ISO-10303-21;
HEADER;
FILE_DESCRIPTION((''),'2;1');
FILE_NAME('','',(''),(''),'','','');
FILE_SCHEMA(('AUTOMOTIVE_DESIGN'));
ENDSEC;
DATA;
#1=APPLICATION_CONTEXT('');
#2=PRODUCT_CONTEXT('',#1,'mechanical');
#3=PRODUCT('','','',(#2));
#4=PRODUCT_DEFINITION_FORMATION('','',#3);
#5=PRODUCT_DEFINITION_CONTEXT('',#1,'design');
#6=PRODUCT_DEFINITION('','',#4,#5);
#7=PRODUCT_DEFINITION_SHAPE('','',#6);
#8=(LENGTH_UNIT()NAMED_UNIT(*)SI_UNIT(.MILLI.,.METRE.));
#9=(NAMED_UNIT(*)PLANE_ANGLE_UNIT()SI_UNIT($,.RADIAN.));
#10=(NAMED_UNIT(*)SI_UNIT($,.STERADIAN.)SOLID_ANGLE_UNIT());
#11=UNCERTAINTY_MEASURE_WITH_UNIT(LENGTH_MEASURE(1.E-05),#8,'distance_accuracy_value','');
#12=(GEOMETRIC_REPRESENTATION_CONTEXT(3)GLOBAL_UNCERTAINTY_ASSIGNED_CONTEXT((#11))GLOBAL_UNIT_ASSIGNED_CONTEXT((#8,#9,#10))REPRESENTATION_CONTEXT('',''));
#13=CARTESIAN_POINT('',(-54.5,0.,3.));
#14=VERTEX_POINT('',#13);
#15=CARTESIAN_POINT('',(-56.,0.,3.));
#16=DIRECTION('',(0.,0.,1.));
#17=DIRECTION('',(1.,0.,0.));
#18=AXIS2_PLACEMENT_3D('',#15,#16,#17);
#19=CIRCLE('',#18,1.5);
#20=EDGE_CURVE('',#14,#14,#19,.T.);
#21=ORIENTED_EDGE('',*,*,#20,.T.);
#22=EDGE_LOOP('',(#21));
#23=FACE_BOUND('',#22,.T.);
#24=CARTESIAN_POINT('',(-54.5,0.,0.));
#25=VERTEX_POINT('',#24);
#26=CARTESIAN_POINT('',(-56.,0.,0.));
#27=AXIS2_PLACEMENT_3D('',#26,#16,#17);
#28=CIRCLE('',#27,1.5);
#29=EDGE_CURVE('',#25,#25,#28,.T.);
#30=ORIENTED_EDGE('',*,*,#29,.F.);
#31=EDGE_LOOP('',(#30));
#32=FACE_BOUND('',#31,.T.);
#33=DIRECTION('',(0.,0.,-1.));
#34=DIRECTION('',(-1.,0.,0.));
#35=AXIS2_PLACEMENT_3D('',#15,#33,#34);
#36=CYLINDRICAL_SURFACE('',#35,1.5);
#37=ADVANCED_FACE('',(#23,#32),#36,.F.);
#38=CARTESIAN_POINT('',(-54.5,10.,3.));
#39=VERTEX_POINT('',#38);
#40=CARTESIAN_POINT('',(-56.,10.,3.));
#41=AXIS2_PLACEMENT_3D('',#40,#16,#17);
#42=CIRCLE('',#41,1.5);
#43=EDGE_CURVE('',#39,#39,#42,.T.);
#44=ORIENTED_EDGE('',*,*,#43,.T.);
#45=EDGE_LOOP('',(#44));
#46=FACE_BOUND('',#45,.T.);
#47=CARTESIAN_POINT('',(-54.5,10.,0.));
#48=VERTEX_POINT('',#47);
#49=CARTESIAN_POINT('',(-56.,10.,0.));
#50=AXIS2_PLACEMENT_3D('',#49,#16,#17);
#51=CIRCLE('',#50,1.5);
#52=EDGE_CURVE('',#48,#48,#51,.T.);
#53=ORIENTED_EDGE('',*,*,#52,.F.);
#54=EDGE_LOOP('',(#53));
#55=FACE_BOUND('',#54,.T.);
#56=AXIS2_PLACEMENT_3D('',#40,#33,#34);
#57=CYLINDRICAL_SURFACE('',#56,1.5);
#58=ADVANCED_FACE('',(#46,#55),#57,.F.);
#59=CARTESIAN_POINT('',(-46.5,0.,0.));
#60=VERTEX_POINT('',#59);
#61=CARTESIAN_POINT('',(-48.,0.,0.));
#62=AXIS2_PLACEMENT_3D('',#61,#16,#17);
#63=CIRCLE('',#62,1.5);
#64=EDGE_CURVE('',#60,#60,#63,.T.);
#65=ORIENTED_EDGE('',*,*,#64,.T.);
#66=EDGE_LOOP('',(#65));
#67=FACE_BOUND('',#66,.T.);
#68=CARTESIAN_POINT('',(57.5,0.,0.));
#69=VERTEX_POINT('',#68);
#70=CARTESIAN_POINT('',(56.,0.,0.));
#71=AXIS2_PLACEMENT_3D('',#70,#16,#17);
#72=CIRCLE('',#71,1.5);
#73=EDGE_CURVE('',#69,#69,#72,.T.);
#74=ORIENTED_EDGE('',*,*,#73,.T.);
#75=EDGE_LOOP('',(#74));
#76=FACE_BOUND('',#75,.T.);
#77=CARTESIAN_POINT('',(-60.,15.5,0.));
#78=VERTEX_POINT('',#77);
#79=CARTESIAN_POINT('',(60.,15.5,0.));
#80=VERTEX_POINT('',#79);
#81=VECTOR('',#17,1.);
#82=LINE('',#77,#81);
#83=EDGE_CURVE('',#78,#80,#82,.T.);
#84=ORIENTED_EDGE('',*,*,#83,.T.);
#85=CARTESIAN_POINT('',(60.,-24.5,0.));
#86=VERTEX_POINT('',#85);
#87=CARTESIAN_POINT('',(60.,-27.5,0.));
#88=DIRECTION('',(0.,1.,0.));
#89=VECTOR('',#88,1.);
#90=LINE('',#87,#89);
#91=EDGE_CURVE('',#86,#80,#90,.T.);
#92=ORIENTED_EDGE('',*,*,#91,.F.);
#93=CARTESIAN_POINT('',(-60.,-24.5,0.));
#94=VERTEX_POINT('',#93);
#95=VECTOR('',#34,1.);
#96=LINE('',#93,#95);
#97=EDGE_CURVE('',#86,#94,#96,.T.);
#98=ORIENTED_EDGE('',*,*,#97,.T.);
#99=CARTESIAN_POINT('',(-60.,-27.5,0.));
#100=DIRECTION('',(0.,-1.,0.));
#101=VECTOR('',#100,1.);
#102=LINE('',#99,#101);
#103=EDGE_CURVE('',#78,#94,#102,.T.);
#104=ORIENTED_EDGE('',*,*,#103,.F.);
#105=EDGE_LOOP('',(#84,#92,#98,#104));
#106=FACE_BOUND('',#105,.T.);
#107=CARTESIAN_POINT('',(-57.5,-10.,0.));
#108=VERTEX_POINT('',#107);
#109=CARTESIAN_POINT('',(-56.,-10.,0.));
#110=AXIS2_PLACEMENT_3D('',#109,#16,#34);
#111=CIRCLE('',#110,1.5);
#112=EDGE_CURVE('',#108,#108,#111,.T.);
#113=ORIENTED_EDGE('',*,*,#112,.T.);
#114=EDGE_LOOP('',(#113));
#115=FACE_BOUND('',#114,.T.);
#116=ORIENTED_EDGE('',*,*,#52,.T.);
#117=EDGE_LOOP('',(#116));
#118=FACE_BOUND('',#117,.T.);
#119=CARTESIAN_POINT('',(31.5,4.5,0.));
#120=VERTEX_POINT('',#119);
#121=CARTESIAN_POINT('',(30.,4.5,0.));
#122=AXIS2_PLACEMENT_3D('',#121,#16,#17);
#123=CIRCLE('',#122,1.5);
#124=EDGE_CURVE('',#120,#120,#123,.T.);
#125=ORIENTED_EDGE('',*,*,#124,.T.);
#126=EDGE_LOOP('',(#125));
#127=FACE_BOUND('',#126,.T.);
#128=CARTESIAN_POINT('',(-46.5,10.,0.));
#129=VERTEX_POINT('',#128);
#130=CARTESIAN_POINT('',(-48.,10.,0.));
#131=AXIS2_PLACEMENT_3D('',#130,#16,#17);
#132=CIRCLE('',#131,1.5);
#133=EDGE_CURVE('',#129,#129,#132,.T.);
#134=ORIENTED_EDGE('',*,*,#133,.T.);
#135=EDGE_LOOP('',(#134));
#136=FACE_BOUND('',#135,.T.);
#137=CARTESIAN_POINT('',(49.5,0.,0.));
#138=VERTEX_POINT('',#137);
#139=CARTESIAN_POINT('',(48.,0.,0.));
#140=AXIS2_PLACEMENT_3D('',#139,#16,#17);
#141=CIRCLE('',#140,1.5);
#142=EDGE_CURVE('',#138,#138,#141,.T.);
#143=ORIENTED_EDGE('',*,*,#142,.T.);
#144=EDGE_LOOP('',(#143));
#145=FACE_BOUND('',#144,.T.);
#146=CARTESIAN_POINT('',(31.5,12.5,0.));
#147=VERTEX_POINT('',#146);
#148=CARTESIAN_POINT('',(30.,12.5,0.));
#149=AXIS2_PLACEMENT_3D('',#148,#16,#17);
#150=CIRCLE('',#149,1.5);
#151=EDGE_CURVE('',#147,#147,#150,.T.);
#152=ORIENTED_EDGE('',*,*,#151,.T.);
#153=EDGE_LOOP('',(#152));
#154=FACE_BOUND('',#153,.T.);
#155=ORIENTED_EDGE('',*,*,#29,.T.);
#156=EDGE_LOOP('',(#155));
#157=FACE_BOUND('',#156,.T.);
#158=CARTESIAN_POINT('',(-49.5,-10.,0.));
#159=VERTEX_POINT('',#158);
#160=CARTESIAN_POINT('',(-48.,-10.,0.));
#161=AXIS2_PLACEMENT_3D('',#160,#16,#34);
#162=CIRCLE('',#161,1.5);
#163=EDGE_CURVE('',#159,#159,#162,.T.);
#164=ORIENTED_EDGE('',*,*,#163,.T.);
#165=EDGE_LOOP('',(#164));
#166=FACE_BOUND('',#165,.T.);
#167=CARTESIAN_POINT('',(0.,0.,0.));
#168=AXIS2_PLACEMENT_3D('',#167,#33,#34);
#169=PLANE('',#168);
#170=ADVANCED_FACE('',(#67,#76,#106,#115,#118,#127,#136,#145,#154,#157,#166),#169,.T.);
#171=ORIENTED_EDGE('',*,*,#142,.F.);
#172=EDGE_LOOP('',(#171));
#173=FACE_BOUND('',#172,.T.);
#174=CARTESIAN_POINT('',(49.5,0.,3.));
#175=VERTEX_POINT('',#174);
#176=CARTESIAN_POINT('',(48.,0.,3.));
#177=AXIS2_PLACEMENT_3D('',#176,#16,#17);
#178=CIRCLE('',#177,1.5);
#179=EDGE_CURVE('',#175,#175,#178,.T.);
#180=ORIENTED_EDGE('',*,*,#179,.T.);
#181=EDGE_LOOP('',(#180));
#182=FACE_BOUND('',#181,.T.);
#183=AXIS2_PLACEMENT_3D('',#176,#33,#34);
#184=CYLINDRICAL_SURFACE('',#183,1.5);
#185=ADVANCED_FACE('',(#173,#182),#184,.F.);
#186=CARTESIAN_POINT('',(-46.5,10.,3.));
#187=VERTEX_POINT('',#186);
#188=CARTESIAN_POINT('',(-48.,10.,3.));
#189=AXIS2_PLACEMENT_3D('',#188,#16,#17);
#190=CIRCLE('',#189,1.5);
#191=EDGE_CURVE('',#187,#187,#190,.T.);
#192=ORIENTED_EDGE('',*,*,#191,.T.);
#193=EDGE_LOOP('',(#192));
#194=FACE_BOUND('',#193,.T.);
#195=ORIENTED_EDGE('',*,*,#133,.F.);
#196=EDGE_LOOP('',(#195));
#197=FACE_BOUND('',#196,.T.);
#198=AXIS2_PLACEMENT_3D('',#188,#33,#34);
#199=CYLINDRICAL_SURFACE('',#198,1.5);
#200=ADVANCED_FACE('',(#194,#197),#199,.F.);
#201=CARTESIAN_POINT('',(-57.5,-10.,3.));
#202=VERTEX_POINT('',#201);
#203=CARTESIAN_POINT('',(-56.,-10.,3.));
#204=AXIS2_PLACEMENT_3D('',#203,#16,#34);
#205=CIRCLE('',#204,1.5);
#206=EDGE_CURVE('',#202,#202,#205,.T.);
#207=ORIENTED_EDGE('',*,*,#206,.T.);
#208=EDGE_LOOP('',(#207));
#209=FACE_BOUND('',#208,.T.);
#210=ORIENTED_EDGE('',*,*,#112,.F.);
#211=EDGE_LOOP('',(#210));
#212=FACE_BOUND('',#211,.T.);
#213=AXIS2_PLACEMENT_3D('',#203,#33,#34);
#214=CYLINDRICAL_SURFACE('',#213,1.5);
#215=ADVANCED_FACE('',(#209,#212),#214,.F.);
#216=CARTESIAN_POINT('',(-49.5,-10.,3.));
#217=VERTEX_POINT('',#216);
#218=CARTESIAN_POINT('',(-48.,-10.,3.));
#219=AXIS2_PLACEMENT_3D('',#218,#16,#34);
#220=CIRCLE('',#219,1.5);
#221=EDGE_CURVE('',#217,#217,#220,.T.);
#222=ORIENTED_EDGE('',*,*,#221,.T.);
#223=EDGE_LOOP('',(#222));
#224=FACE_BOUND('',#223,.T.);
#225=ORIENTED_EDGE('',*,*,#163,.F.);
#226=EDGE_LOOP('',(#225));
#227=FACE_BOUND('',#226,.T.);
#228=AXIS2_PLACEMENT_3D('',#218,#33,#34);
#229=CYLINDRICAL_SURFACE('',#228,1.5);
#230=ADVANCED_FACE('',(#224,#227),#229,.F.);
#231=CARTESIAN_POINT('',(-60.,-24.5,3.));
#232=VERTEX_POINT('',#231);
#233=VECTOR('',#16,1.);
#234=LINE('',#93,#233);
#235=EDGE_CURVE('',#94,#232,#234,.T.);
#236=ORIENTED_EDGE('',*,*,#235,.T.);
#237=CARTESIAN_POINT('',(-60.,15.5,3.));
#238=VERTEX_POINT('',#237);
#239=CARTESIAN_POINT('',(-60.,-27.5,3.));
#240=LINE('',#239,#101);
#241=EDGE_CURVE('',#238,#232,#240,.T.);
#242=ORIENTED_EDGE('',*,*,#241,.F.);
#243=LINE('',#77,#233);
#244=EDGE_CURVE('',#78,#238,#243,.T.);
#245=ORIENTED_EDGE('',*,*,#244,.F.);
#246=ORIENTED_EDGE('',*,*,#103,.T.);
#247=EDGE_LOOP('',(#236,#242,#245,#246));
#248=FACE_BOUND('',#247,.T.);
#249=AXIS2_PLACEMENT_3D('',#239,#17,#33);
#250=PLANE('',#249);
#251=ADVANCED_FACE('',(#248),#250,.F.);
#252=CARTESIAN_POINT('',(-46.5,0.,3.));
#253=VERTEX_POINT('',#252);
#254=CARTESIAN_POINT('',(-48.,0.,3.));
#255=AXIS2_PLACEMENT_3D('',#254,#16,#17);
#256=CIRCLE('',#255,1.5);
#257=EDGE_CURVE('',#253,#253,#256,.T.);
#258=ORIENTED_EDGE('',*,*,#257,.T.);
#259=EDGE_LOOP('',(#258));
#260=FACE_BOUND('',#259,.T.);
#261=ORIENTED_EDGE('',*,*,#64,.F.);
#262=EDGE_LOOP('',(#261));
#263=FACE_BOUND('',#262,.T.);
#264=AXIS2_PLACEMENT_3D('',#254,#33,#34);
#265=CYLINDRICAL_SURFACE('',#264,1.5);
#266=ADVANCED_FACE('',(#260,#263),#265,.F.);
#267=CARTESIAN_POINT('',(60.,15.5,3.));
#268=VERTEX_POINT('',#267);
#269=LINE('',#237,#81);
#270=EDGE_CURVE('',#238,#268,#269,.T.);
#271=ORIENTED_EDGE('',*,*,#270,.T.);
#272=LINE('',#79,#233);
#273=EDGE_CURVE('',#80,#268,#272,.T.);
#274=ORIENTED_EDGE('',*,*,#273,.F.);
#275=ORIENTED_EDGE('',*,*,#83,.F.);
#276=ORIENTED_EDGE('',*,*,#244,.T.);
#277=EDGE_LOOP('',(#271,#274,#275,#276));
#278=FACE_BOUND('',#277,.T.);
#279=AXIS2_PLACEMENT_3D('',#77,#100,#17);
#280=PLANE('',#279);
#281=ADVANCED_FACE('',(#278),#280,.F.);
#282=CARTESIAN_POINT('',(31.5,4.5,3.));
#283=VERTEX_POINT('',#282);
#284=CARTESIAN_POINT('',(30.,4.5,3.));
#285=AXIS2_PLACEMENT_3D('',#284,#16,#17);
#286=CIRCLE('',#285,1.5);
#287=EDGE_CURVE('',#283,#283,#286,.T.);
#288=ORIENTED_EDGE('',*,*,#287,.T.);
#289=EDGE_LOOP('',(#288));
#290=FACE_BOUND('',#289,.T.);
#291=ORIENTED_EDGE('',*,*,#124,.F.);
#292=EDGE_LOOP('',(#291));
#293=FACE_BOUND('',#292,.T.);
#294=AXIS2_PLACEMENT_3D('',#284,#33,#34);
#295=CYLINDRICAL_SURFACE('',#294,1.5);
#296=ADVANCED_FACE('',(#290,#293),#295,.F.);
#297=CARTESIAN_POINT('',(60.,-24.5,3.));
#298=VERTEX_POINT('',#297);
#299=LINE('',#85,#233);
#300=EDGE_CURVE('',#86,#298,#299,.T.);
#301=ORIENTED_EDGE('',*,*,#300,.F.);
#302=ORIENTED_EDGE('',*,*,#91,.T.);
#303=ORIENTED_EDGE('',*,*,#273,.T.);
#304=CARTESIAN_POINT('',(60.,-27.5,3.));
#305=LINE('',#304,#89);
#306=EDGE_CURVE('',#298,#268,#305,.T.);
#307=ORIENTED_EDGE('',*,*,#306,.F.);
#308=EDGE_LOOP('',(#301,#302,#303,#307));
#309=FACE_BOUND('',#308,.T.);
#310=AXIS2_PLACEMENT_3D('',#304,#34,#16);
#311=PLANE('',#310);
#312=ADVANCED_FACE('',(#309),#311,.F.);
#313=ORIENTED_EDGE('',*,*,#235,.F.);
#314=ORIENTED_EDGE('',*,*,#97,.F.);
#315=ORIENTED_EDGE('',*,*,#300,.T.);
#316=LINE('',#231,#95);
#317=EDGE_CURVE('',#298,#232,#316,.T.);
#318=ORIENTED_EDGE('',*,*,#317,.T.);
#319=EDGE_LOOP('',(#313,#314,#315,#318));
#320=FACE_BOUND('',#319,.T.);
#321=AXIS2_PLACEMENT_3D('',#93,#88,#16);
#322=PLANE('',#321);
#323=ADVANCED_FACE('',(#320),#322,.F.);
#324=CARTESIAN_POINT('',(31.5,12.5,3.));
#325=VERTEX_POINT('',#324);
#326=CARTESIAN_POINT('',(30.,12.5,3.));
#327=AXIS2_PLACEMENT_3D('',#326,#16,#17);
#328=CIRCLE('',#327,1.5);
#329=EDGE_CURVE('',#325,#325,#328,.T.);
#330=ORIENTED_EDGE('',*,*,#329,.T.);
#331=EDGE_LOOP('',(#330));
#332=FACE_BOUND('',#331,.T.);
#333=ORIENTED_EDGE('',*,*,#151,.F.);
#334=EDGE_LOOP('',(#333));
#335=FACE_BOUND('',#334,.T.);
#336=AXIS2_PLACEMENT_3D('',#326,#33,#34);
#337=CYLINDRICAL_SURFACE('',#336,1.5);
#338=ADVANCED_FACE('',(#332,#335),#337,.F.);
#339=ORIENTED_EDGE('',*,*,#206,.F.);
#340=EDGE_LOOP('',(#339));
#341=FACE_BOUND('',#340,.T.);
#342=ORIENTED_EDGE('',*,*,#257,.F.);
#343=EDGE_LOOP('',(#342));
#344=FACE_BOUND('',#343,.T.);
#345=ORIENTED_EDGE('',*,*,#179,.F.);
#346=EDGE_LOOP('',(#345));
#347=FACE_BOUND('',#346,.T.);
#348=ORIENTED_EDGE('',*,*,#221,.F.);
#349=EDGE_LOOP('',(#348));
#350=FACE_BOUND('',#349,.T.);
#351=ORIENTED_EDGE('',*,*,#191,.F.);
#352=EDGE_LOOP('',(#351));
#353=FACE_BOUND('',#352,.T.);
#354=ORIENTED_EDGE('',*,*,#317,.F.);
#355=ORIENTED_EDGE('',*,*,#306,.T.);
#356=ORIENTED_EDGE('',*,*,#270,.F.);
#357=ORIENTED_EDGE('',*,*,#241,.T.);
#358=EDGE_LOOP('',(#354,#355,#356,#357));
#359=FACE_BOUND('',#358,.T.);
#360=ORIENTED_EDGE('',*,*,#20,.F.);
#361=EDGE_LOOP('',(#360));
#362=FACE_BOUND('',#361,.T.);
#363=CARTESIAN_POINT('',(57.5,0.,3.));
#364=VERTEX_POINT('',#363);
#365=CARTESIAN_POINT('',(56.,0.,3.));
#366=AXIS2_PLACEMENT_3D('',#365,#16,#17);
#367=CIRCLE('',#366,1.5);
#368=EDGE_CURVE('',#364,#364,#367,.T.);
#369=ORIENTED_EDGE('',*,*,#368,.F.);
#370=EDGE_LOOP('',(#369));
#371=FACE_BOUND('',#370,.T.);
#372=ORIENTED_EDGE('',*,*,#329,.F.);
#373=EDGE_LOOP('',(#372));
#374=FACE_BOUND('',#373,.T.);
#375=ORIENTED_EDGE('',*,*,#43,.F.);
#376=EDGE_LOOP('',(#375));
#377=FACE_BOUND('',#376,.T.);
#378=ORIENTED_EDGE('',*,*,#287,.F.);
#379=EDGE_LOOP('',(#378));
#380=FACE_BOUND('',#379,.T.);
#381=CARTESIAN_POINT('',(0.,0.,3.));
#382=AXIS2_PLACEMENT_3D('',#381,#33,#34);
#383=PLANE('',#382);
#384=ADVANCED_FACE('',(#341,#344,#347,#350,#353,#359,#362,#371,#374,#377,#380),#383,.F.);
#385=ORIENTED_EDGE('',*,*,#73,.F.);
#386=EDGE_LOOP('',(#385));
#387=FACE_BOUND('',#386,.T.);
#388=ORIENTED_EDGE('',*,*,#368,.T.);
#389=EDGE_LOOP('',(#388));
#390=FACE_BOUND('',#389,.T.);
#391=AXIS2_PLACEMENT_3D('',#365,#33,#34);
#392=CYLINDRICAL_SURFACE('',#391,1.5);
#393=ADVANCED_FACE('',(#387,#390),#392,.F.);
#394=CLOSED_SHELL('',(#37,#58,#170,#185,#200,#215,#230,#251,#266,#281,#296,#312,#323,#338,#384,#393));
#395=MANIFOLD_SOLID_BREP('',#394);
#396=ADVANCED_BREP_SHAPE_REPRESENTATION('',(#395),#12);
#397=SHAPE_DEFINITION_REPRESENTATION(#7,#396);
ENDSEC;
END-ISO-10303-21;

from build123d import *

# Parameters (mm, degrees)
SKETCH1_W           = 120
SKETCH1_H           = 55
SKETCH1_R           = 1.5
BOSS_EXTRUDE1_DEPTH = 3
CUT_EXTRUDE1_DEPTH  = 67.070038595
SKETCH3_W           = 120
SKETCH3_H           = 3
CUT_EXTRUDE2_DEPTH  = 67.070038595


with BuildPart() as part:
    # Sketch1 → Boss-Extrude1 (new body)
    with BuildSketch(Plane.XY):
        Rectangle(SKETCH1_W, SKETCH1_H)
        with Locations((30, 4.5)):
            Circle(SKETCH1_R, mode=Mode.SUBTRACT)
        with Locations((30, 12.5)):
            Circle(SKETCH1_R, mode=Mode.SUBTRACT)
        with Locations((56, 0)):
            Circle(SKETCH1_R, mode=Mode.SUBTRACT)
        with Locations((48, 0)):
            Circle(SKETCH1_R, mode=Mode.SUBTRACT)
        with Locations((-56, 10)):
            Circle(SKETCH1_R, mode=Mode.SUBTRACT)
        with Locations((-48, 10)):
            Circle(SKETCH1_R, mode=Mode.SUBTRACT)
        with Locations(Location((-56, -10, 0), (0, 0, 180))):
            Circle(SKETCH1_R, mode=Mode.SUBTRACT)
        with Locations(Location((-48, -10, 0), (0, 0, 180))):
            Circle(SKETCH1_R, mode=Mode.SUBTRACT)
        with Locations((-56, 0)):
            Circle(SKETCH1_R, mode=Mode.SUBTRACT)
        with Locations((-48, 0)):
            Circle(SKETCH1_R, mode=Mode.SUBTRACT)
    extrude(amount=BOSS_EXTRUDE1_DEPTH)

    # Sketch2 → Cut-Extrude1 (cut, through all)
    with BuildSketch(Plane.XY.offset(3)):
        Polygon((-60, 15.5), (60, 15.5), (60, 27.5), (-60, 27.514094308), (-60, 27.5), align=None)
    extrude(amount=-CUT_EXTRUDE1_DEPTH, mode=Mode.SUBTRACT)

    # Sketch3 → Cut-Extrude2 (cut, through all)
    with BuildSketch(Plane.XY.offset(3)):
        with Locations((0, -26)):
            Rectangle(SKETCH3_W, SKETCH3_H)
    extrude(amount=-CUT_EXTRUDE2_DEPTH, mode=Mode.SUBTRACT)


solid = part.part
